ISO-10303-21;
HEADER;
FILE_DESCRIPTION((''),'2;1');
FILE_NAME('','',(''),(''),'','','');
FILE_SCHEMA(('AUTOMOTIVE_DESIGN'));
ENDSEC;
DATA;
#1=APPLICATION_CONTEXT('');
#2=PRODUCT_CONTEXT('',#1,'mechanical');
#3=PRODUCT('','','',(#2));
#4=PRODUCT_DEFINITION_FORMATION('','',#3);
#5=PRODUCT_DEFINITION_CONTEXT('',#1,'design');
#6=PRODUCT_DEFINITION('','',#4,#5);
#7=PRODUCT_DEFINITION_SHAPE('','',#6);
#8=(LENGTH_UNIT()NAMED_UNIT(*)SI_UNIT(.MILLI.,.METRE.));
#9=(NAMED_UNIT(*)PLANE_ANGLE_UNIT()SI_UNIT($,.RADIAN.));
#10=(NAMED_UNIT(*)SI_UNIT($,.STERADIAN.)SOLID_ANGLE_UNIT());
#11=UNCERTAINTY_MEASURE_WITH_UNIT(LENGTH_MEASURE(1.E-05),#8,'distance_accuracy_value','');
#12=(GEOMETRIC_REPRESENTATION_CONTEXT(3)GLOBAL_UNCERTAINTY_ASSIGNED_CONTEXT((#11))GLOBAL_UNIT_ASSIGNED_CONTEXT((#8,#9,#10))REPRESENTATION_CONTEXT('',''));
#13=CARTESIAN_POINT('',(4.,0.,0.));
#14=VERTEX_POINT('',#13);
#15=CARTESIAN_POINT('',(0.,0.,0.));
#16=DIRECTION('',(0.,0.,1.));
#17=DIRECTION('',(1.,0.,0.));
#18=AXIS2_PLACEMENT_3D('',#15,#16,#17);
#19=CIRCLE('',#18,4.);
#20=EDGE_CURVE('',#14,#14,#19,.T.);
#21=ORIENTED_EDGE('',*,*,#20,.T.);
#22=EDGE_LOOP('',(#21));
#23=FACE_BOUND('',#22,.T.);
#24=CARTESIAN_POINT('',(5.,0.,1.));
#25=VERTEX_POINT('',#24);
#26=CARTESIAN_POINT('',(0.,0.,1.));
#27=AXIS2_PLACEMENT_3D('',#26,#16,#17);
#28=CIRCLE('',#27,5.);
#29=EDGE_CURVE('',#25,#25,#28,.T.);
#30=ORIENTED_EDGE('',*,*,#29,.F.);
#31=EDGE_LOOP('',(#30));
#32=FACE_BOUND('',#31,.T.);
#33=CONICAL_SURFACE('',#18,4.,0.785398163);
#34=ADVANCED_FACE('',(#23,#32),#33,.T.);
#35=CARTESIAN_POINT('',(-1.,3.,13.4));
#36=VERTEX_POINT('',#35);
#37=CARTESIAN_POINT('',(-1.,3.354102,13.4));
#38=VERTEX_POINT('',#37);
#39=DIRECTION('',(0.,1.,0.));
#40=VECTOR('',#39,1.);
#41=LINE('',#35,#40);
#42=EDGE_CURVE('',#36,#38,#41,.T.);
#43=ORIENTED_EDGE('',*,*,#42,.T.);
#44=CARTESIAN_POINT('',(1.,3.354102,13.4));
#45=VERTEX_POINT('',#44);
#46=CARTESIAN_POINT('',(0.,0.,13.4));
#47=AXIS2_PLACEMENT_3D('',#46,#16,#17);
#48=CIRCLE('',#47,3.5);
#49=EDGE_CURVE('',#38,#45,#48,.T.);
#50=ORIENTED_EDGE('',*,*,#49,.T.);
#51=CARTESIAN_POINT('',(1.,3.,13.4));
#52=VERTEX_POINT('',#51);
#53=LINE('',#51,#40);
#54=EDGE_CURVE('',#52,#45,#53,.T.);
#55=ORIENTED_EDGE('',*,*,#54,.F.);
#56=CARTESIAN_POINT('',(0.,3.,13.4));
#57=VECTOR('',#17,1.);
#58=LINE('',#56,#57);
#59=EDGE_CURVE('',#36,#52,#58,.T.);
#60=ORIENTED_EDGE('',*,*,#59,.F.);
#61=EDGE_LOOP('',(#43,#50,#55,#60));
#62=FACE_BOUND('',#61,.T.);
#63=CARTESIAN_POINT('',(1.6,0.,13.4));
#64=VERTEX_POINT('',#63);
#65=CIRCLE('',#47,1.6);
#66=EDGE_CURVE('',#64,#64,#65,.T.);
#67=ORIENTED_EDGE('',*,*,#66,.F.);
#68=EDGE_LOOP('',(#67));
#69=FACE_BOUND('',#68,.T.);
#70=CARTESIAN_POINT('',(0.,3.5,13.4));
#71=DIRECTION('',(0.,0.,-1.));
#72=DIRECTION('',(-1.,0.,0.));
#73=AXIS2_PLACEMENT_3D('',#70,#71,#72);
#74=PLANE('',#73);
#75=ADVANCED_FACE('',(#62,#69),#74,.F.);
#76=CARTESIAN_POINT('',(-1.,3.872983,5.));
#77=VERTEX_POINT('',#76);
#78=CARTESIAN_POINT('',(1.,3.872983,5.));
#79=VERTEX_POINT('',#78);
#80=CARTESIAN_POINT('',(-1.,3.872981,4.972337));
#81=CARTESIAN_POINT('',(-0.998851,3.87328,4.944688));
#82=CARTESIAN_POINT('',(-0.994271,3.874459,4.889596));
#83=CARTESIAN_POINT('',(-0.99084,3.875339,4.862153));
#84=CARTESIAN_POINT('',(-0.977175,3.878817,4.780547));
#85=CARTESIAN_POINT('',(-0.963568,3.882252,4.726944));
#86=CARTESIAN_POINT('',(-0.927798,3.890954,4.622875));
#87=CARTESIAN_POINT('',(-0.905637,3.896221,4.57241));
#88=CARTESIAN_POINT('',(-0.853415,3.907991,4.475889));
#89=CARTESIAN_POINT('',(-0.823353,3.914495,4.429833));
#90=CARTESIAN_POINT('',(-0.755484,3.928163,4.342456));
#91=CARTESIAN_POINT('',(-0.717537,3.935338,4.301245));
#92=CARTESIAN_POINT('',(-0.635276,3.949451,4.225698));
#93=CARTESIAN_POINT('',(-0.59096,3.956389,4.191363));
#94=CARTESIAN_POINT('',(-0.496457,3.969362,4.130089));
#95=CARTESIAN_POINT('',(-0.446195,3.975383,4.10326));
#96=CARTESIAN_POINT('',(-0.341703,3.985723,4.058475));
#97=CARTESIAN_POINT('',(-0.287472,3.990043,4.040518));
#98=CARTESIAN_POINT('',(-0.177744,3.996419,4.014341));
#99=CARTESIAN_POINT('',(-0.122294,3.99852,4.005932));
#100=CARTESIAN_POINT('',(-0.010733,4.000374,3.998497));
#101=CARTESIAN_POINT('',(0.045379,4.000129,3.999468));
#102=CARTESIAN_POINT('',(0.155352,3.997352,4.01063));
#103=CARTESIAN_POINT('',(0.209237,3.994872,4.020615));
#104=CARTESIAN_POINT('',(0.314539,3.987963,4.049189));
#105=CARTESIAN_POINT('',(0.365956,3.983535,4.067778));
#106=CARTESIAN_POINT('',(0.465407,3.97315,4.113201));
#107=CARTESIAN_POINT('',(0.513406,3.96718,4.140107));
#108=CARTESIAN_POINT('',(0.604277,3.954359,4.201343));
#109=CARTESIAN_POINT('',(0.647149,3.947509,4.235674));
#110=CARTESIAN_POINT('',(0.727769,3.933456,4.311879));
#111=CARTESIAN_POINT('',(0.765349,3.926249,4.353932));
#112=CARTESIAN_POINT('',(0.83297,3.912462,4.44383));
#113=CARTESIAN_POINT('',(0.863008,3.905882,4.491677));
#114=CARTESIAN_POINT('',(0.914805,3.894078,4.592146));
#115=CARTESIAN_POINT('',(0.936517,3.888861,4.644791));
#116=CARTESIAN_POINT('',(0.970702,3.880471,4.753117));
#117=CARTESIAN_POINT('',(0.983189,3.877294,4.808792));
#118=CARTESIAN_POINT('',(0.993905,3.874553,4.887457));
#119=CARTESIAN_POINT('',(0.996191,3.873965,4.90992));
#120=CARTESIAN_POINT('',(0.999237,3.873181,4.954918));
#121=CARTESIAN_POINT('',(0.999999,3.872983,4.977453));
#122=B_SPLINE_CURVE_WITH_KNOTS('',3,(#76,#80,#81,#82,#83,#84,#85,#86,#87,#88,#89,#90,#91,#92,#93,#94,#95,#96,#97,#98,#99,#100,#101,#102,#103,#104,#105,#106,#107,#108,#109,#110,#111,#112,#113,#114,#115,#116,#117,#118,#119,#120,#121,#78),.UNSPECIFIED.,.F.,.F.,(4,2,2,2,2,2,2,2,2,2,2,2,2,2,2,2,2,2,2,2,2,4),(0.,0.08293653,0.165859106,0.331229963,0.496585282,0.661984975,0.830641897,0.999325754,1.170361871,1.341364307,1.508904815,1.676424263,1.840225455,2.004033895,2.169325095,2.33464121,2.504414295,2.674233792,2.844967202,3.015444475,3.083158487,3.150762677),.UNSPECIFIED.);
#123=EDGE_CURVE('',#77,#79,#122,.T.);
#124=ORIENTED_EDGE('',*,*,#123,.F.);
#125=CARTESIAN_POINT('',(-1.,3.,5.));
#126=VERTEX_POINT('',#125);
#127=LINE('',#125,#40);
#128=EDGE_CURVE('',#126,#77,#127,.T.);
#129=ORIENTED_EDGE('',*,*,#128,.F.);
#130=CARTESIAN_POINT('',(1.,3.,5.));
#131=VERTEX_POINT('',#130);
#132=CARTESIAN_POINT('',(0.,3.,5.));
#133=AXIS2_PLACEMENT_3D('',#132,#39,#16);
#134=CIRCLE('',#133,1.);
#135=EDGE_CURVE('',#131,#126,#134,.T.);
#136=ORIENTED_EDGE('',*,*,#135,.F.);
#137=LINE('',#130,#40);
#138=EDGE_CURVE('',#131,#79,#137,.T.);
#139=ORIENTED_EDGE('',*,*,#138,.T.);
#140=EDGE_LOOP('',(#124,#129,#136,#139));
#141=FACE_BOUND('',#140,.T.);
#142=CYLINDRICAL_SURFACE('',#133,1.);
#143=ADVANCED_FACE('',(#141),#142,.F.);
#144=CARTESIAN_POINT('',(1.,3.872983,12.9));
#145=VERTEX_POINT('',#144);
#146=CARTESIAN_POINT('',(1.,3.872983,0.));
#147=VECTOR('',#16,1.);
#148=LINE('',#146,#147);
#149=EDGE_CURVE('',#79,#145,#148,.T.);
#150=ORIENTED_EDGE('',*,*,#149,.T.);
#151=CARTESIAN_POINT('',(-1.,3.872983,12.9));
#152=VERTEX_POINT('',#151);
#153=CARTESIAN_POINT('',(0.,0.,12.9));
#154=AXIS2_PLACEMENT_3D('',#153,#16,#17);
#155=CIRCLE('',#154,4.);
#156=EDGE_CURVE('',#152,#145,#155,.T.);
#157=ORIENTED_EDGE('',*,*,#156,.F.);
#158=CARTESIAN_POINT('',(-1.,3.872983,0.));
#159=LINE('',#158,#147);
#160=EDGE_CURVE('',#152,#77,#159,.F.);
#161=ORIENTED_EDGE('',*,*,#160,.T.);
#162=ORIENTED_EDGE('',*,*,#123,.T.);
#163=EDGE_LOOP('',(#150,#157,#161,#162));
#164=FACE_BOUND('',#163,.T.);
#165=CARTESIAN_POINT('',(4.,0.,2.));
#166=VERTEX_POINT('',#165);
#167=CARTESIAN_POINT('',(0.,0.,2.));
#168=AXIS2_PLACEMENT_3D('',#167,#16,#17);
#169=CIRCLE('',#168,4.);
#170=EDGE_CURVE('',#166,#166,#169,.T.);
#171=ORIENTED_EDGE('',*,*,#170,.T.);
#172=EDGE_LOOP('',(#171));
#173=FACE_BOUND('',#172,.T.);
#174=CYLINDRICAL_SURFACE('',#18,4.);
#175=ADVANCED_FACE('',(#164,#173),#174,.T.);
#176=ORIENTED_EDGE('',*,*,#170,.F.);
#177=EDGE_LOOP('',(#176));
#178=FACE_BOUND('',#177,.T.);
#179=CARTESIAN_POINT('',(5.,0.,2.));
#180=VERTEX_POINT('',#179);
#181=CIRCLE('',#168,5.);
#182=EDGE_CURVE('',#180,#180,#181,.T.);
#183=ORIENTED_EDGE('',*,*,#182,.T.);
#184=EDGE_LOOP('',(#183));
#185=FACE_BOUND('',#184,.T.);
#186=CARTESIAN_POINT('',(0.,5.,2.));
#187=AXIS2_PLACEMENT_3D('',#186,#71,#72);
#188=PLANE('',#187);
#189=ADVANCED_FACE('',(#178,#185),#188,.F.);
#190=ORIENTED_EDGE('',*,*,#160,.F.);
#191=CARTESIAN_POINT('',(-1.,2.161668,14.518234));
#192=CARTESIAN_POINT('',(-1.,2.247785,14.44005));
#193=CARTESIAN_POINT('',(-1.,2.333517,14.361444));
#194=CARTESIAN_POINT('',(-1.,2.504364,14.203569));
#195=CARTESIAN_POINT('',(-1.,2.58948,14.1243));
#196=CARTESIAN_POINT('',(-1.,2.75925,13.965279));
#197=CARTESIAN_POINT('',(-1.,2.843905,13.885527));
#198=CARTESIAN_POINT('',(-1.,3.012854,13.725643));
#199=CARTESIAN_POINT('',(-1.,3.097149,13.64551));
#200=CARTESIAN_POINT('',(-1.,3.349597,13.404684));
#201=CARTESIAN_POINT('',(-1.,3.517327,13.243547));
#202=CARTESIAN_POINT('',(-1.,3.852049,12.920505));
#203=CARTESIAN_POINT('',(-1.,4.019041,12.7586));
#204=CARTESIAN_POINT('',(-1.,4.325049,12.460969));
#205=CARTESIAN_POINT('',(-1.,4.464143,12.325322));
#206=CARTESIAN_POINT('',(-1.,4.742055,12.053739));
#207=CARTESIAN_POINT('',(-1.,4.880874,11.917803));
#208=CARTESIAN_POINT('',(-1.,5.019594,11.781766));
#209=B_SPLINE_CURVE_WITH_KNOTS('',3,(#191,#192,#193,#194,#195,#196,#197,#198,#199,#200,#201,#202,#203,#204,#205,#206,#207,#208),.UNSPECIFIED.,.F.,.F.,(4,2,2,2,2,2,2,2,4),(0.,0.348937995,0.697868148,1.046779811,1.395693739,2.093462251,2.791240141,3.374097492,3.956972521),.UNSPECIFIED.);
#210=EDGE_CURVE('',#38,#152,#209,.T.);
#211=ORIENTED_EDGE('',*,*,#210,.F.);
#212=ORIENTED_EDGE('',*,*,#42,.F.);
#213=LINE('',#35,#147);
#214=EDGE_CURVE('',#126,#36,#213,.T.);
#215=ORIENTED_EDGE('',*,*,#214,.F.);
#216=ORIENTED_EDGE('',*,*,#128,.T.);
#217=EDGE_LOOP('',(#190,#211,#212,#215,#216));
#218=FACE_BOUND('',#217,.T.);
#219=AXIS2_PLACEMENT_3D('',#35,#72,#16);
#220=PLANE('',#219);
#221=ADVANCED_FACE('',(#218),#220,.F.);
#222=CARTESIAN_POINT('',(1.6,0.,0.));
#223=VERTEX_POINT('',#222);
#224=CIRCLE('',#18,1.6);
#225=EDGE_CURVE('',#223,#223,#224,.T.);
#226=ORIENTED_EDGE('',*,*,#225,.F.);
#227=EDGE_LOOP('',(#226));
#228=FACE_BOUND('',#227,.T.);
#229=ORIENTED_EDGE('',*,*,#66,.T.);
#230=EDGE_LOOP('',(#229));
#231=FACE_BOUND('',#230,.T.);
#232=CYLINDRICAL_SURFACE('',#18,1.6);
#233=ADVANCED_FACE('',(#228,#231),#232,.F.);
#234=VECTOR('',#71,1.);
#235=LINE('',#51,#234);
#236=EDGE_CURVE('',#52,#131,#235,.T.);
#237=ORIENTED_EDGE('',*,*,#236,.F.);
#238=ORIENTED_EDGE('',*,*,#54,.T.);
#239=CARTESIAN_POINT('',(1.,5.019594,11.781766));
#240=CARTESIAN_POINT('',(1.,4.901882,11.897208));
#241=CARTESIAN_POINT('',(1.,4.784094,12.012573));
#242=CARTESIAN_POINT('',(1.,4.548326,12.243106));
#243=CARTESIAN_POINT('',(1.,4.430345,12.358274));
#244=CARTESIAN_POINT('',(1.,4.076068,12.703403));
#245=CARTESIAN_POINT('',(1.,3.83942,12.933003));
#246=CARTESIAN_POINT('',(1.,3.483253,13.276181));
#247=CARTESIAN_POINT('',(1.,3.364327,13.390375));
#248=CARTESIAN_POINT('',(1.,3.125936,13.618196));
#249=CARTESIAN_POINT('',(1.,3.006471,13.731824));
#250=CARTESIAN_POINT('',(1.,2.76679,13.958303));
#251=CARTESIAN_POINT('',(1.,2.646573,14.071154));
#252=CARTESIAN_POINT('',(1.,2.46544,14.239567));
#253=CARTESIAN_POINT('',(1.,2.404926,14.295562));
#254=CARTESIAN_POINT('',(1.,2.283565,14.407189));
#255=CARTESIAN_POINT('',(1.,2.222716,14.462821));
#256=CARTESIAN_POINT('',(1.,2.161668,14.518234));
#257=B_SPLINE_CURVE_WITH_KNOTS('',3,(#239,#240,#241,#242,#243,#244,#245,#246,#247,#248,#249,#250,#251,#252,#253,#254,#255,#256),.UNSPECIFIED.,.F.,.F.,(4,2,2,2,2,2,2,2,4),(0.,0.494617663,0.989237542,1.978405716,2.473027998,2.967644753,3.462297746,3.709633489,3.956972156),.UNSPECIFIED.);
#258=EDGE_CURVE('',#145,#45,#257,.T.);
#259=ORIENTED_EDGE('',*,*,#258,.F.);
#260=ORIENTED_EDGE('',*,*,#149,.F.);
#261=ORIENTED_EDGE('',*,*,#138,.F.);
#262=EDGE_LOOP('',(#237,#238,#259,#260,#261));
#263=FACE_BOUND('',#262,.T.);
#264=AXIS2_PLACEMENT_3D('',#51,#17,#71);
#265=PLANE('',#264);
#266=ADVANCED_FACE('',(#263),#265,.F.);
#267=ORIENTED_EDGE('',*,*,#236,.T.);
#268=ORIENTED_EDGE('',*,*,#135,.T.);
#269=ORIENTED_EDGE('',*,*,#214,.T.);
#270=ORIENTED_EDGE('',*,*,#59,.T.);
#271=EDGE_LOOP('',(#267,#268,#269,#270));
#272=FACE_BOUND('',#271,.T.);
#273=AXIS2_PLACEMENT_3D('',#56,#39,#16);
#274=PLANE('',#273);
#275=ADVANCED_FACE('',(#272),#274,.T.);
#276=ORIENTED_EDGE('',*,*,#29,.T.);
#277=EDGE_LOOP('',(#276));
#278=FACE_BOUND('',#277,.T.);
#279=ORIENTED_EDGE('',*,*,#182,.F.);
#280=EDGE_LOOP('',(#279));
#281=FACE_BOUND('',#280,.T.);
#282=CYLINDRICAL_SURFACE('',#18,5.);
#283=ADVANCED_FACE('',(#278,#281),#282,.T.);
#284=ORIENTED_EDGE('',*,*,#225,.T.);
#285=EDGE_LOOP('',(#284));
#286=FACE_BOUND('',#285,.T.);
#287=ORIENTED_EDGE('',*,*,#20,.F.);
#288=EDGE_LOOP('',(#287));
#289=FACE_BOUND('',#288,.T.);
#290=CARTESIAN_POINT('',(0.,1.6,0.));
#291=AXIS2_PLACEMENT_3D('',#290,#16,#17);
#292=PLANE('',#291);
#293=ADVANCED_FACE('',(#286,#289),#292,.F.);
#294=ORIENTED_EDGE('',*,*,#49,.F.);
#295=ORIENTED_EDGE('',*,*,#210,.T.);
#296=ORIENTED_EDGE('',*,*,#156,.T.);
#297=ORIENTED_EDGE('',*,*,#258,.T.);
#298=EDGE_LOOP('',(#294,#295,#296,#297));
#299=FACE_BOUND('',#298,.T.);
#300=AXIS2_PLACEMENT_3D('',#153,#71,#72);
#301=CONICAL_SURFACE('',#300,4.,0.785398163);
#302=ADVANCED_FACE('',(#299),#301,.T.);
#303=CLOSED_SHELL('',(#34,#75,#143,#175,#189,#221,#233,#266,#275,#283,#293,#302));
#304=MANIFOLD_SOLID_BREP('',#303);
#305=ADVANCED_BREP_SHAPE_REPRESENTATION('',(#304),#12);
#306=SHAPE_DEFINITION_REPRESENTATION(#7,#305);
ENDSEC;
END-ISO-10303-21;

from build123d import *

# Parameters (mm, degrees)
CUT_EXTRUDE1_DEPTH = 1


with BuildPart() as part:
    # Sketch1 → Revolve1 (revolve)
    with BuildSketch(Plane(origin=(0, 0, 0), x_dir=(0, 0, -1), z_dir=(1, 0, 0)), mode=Mode.PRIVATE) as revolve1_sk:
        Polygon((0, 1.6), (0, 4), (-1, 5), (-2, 5), (-2, 4), (-12.9, 4), (-13.4, 3.5), (-13.4, 1.6), align=None)
    revolve(revolve1_sk.sketch.rotate(Axis((0, 0, 0), (0, 0, -1)), 90), axis=Axis((0, 0, 0), (0, 0, -1)))

    # Sketch2 → Cut-Extrude1 (cut)
    with BuildSketch(Plane(origin=(0, 4, 0), x_dir=(1, 0, 0), z_dir=(0, 1, 0))):
        with BuildLine():
            Line((-1, -13.4), (-1, -5))
            ThreePointArc((-1, -5), (0, -4), (1, -5))
            Line((1, -5), (1, -13.4))
            ThreePointArc((1, -13.4), (0, -14.4), (-1, -13.4))
        make_face()
    extrude(amount=-CUT_EXTRUDE1_DEPTH, mode=Mode.SUBTRACT)


solid = part.part
